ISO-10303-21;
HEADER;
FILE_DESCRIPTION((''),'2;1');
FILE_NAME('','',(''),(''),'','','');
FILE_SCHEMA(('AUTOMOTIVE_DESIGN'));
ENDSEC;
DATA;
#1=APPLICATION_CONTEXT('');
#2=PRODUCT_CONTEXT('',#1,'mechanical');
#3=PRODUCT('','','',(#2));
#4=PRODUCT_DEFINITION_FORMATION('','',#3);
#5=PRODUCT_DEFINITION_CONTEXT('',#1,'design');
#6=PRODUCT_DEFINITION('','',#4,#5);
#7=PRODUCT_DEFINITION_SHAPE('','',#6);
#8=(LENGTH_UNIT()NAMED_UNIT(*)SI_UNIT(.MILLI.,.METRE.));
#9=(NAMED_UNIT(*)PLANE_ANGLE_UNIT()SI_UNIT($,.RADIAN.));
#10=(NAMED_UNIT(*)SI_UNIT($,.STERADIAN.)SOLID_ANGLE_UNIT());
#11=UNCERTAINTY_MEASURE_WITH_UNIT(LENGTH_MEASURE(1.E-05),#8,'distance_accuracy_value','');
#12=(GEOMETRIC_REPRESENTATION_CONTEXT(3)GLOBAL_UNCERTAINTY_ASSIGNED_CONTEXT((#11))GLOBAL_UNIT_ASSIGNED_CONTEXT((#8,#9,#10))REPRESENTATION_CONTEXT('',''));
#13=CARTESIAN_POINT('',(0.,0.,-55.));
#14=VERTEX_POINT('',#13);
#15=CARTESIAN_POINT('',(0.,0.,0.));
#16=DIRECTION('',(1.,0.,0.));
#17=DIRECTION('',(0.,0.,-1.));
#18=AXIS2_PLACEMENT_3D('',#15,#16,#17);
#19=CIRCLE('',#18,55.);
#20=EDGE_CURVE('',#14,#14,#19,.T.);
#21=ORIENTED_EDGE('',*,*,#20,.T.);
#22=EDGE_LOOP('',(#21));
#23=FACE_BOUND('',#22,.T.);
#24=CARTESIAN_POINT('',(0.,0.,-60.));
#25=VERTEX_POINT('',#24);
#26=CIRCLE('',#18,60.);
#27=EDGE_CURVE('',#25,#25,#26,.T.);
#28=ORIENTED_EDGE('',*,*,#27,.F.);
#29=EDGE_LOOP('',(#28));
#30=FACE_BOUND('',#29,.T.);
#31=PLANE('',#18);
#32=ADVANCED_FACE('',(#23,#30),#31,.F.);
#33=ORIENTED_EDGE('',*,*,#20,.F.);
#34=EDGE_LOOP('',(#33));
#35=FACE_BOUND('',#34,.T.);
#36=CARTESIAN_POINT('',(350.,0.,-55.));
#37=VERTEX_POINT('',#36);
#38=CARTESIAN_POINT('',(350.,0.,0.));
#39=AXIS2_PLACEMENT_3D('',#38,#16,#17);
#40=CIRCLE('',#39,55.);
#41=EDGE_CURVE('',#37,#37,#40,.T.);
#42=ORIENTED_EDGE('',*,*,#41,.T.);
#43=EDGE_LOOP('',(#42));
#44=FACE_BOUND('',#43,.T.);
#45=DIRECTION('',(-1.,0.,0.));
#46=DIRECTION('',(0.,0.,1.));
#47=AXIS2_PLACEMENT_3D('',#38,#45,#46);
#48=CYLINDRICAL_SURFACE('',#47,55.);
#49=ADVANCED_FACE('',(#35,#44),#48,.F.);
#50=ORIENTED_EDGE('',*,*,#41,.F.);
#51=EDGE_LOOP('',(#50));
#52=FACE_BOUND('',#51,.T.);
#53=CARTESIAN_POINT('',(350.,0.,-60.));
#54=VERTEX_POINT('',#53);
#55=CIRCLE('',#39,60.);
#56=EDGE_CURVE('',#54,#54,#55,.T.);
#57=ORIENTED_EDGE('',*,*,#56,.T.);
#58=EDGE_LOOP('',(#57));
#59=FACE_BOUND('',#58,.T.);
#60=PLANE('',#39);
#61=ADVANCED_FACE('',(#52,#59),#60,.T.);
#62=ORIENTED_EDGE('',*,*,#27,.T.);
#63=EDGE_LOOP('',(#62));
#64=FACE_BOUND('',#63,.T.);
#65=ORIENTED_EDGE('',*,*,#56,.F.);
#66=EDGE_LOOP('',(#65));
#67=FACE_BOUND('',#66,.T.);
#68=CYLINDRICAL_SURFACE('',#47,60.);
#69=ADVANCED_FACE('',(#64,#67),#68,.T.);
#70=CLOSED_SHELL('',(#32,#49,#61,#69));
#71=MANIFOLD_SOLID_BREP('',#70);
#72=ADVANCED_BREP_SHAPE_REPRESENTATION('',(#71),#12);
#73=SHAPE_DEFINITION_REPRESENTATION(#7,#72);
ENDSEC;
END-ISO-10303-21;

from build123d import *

# Parameters (mm, degrees)
SKETCH_1_R      = 60
SKETCH_1_R_2    = 55
EXTRUDE_1_DEPTH = 350


with BuildPart() as part:
    # Эскиз1 → Бобышка-Вытянуть1 (new body)
    with BuildSketch(Plane(origin=(0, 0, 0), x_dir=(0, 0, -1), z_dir=(1, 0, 0))):
        Circle(SKETCH_1_R)
        Circle(SKETCH_1_R_2, mode=Mode.SUBTRACT)
    extrude(amount=EXTRUDE_1_DEPTH)


solid = part.part
